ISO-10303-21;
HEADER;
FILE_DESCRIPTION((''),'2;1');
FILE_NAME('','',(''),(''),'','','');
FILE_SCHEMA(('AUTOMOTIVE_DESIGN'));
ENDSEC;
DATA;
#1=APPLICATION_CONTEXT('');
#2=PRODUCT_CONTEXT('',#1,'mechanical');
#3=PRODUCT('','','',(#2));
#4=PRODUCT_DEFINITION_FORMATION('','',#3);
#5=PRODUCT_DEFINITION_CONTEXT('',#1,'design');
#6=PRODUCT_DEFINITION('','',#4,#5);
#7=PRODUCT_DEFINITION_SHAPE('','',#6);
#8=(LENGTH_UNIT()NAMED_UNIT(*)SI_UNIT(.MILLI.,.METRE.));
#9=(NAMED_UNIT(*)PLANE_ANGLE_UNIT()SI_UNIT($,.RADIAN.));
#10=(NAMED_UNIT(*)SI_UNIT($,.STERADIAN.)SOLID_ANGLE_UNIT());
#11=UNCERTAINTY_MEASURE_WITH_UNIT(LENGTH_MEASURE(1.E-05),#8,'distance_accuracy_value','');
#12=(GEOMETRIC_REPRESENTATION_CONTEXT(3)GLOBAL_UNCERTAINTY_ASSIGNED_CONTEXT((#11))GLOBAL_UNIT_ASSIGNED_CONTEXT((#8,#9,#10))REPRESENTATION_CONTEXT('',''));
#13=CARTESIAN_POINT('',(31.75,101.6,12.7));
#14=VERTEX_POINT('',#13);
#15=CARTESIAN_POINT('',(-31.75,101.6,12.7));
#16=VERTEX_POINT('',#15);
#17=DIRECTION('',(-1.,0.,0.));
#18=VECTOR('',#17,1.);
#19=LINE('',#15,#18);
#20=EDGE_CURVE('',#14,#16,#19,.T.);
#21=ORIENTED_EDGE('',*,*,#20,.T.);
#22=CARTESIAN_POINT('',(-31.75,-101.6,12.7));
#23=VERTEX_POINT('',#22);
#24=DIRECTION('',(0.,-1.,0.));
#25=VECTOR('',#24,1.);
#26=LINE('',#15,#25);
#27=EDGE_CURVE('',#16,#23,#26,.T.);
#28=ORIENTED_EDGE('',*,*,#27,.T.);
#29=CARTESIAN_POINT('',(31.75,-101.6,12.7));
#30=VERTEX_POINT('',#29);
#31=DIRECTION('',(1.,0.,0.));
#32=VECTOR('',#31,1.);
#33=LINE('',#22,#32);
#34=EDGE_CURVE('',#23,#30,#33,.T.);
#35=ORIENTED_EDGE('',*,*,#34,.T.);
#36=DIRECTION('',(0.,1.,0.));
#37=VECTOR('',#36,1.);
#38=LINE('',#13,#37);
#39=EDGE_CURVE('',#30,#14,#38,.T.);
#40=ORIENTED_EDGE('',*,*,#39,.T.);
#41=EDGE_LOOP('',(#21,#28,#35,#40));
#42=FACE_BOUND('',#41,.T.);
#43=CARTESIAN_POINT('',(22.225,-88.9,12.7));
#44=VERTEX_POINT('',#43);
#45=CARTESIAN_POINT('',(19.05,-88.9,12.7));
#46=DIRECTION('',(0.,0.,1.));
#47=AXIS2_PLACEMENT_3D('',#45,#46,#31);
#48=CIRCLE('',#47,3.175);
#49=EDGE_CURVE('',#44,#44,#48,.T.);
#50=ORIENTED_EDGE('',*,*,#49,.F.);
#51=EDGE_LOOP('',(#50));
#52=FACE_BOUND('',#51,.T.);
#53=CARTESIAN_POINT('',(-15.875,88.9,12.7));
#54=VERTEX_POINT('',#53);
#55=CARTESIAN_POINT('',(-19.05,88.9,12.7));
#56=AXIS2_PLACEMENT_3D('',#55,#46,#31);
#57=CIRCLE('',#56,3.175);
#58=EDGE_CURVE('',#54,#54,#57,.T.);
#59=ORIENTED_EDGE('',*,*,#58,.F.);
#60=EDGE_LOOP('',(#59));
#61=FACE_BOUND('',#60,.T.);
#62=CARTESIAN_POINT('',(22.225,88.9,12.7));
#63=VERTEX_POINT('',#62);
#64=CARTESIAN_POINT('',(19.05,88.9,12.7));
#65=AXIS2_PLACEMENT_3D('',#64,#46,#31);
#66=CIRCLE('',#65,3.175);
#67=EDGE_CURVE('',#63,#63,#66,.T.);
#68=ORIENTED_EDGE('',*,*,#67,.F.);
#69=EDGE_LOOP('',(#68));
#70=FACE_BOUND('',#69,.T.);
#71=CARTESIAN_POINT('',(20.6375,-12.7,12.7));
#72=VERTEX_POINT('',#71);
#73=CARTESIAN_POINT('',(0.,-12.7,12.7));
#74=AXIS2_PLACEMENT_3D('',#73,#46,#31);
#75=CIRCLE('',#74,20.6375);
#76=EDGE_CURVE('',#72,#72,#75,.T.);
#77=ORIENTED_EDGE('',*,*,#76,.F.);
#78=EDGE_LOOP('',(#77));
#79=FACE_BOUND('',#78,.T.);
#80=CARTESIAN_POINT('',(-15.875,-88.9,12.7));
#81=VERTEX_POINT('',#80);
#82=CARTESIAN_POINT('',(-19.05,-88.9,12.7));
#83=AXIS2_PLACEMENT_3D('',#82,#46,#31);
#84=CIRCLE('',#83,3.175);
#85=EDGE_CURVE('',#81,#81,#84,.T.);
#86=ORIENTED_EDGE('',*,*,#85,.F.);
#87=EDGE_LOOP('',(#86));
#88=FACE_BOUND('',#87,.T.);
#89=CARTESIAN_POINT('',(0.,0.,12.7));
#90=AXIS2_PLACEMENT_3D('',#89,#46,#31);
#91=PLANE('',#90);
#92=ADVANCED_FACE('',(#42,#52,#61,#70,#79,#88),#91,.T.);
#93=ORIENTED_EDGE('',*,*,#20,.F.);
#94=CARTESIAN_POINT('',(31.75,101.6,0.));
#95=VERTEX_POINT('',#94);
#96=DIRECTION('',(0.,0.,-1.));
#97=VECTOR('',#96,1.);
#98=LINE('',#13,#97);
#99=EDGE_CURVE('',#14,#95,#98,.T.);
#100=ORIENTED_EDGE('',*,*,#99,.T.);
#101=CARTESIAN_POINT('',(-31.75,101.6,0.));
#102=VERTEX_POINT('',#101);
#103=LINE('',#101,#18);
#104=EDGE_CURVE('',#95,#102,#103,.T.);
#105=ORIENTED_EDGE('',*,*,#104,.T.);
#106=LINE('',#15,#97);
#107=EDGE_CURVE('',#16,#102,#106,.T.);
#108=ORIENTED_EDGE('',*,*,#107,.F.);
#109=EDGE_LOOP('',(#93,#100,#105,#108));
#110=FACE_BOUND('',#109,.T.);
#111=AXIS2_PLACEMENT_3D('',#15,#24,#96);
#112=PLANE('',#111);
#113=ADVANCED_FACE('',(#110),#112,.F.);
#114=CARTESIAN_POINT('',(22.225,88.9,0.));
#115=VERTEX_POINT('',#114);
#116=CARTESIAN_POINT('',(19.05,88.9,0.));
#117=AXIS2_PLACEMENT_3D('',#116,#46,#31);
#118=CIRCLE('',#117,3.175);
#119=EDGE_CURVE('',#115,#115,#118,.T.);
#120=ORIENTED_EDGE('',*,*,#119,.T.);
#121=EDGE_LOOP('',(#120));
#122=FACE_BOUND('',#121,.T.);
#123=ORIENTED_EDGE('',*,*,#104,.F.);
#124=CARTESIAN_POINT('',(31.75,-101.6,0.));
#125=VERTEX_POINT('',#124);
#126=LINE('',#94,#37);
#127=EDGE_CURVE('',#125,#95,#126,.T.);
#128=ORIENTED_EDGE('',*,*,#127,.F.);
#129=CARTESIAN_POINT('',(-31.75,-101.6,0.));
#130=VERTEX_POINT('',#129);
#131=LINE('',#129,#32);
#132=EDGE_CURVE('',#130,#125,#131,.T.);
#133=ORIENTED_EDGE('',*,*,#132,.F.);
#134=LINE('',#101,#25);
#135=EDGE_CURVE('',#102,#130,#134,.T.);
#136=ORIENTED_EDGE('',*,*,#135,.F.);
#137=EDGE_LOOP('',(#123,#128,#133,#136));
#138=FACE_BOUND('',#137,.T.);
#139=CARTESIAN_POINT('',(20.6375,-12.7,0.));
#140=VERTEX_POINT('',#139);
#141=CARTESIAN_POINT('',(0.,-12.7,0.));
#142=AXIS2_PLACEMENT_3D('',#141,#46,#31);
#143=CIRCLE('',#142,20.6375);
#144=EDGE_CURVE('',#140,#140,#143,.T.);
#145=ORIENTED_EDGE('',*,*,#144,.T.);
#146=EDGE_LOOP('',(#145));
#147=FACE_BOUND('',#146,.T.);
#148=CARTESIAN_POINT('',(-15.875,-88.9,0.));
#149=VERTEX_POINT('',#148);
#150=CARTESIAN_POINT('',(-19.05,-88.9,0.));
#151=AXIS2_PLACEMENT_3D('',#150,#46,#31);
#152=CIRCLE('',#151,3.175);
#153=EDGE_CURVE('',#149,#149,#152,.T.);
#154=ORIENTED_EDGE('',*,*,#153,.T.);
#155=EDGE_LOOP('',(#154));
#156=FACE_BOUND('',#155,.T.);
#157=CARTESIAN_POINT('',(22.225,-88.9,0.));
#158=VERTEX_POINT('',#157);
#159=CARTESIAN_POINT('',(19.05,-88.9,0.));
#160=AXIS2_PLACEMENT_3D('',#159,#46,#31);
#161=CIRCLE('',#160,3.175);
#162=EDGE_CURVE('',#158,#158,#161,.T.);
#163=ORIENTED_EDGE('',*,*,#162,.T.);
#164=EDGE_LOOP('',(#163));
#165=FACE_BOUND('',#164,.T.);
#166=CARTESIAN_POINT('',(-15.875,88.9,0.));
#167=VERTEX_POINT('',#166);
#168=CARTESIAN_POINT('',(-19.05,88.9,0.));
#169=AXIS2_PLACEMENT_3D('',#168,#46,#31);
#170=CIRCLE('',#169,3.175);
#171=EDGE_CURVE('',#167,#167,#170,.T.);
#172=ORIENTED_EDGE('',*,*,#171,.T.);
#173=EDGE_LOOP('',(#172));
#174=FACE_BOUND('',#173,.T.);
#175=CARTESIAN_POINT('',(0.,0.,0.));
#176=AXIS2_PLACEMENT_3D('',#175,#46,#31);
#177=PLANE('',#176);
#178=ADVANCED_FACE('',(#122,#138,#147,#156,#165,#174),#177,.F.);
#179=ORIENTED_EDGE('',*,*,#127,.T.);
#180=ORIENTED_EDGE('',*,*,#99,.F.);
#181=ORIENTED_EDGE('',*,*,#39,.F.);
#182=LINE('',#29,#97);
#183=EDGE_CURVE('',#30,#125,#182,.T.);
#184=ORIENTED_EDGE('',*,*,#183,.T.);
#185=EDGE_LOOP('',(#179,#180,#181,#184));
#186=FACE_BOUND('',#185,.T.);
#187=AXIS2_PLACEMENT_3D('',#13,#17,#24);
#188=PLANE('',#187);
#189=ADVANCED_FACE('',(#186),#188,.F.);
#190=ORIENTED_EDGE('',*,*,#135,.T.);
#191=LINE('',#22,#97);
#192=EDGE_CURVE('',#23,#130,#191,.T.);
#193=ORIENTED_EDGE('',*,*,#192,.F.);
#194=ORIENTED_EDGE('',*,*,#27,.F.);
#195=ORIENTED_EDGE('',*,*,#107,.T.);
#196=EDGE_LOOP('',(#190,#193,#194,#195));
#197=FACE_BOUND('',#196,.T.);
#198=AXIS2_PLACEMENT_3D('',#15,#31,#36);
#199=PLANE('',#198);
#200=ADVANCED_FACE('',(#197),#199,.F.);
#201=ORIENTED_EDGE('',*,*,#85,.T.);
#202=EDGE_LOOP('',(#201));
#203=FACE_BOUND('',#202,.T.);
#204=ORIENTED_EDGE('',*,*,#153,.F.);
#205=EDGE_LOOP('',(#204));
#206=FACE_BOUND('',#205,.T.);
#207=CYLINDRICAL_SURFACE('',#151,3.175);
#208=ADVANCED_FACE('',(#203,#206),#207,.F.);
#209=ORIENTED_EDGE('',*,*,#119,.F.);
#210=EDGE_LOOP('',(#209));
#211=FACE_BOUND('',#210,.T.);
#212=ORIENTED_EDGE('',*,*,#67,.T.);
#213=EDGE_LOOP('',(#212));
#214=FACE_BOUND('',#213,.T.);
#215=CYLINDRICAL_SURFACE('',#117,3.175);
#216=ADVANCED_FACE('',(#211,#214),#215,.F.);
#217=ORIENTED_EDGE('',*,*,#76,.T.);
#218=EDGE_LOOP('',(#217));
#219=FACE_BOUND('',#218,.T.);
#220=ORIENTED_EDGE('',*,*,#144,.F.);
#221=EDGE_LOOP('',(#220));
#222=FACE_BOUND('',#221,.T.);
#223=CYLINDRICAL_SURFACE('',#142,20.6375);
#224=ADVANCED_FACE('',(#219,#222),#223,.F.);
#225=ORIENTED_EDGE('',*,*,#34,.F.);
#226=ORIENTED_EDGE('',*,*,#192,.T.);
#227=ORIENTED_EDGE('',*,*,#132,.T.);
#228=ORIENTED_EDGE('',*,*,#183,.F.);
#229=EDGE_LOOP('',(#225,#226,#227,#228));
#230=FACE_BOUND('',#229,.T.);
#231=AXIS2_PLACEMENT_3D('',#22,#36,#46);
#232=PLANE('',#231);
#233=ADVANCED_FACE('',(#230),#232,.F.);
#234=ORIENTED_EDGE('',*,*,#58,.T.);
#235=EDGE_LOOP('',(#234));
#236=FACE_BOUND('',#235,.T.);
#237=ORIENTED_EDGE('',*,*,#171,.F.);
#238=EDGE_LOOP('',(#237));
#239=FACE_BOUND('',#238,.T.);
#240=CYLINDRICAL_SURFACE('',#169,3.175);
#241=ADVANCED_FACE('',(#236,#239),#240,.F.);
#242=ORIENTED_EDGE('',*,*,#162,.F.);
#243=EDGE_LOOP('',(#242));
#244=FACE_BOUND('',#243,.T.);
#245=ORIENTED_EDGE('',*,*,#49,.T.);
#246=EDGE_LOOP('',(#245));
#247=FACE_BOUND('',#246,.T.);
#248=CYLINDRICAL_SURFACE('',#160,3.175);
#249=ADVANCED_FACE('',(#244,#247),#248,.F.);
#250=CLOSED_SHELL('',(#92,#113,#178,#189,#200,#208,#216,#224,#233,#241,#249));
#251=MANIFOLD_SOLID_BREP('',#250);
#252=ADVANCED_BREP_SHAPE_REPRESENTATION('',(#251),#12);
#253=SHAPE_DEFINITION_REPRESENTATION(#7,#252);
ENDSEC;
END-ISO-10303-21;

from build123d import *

# Parameters (mm, degrees)
SKETCH1_W            = 63.5
SKETCH1_H            = 203.2
BOSS_EXTRUDE1_DEPTH  = 12.7
SKETCH2_R            = 3.175
CUT_EXTRUDE1_DEPTH   = 108.200338152
LPATTERN1_COUNT      = 2
LPATTERN1_PITCH      = 38.1
LPATTERN1_COUNT_DIR2 = 2
LPATTERN1_PITCH_DIR2 = 177.8
SKETCH3_R            = 20.6375
CUT_EXTRUDE2_DEPTH   = 108.200338152


with BuildPart() as part:
    # Sketch1 → Boss-Extrude1 (new body)
    with BuildSketch(Plane.XY):
        Rectangle(SKETCH1_W, SKETCH1_H)
    extrude(amount=BOSS_EXTRUDE1_DEPTH)

    # Sketch2 → Cut-Extrude1 (cut, through all)
    with BuildSketch(Plane.XY.offset(12.7)):
        with Locations((-19.05, 88.9)):
            Circle(SKETCH2_R)
    cut_extrude1 = extrude(amount=-CUT_EXTRUDE1_DEPTH, mode=Mode.SUBTRACT)

    # LPattern1: Cut-Extrude1 2 × 2
    with Locations(*[(i * LPATTERN1_PITCH, -j * LPATTERN1_PITCH_DIR2, 0) for i in range(LPATTERN1_COUNT) for j in range(LPATTERN1_COUNT_DIR2) if (i, j) != (0, 0)]):
        add(cut_extrude1, mode=Mode.SUBTRACT)

    # Sketch3 → Cut-Extrude2 (cut, through all)
    with BuildSketch(Plane.XY.offset(12.7)):
        with Locations((0, -12.7)):
            Circle(SKETCH3_R)
    extrude(amount=-CUT_EXTRUDE2_DEPTH, mode=Mode.SUBTRACT)


solid = part.part
